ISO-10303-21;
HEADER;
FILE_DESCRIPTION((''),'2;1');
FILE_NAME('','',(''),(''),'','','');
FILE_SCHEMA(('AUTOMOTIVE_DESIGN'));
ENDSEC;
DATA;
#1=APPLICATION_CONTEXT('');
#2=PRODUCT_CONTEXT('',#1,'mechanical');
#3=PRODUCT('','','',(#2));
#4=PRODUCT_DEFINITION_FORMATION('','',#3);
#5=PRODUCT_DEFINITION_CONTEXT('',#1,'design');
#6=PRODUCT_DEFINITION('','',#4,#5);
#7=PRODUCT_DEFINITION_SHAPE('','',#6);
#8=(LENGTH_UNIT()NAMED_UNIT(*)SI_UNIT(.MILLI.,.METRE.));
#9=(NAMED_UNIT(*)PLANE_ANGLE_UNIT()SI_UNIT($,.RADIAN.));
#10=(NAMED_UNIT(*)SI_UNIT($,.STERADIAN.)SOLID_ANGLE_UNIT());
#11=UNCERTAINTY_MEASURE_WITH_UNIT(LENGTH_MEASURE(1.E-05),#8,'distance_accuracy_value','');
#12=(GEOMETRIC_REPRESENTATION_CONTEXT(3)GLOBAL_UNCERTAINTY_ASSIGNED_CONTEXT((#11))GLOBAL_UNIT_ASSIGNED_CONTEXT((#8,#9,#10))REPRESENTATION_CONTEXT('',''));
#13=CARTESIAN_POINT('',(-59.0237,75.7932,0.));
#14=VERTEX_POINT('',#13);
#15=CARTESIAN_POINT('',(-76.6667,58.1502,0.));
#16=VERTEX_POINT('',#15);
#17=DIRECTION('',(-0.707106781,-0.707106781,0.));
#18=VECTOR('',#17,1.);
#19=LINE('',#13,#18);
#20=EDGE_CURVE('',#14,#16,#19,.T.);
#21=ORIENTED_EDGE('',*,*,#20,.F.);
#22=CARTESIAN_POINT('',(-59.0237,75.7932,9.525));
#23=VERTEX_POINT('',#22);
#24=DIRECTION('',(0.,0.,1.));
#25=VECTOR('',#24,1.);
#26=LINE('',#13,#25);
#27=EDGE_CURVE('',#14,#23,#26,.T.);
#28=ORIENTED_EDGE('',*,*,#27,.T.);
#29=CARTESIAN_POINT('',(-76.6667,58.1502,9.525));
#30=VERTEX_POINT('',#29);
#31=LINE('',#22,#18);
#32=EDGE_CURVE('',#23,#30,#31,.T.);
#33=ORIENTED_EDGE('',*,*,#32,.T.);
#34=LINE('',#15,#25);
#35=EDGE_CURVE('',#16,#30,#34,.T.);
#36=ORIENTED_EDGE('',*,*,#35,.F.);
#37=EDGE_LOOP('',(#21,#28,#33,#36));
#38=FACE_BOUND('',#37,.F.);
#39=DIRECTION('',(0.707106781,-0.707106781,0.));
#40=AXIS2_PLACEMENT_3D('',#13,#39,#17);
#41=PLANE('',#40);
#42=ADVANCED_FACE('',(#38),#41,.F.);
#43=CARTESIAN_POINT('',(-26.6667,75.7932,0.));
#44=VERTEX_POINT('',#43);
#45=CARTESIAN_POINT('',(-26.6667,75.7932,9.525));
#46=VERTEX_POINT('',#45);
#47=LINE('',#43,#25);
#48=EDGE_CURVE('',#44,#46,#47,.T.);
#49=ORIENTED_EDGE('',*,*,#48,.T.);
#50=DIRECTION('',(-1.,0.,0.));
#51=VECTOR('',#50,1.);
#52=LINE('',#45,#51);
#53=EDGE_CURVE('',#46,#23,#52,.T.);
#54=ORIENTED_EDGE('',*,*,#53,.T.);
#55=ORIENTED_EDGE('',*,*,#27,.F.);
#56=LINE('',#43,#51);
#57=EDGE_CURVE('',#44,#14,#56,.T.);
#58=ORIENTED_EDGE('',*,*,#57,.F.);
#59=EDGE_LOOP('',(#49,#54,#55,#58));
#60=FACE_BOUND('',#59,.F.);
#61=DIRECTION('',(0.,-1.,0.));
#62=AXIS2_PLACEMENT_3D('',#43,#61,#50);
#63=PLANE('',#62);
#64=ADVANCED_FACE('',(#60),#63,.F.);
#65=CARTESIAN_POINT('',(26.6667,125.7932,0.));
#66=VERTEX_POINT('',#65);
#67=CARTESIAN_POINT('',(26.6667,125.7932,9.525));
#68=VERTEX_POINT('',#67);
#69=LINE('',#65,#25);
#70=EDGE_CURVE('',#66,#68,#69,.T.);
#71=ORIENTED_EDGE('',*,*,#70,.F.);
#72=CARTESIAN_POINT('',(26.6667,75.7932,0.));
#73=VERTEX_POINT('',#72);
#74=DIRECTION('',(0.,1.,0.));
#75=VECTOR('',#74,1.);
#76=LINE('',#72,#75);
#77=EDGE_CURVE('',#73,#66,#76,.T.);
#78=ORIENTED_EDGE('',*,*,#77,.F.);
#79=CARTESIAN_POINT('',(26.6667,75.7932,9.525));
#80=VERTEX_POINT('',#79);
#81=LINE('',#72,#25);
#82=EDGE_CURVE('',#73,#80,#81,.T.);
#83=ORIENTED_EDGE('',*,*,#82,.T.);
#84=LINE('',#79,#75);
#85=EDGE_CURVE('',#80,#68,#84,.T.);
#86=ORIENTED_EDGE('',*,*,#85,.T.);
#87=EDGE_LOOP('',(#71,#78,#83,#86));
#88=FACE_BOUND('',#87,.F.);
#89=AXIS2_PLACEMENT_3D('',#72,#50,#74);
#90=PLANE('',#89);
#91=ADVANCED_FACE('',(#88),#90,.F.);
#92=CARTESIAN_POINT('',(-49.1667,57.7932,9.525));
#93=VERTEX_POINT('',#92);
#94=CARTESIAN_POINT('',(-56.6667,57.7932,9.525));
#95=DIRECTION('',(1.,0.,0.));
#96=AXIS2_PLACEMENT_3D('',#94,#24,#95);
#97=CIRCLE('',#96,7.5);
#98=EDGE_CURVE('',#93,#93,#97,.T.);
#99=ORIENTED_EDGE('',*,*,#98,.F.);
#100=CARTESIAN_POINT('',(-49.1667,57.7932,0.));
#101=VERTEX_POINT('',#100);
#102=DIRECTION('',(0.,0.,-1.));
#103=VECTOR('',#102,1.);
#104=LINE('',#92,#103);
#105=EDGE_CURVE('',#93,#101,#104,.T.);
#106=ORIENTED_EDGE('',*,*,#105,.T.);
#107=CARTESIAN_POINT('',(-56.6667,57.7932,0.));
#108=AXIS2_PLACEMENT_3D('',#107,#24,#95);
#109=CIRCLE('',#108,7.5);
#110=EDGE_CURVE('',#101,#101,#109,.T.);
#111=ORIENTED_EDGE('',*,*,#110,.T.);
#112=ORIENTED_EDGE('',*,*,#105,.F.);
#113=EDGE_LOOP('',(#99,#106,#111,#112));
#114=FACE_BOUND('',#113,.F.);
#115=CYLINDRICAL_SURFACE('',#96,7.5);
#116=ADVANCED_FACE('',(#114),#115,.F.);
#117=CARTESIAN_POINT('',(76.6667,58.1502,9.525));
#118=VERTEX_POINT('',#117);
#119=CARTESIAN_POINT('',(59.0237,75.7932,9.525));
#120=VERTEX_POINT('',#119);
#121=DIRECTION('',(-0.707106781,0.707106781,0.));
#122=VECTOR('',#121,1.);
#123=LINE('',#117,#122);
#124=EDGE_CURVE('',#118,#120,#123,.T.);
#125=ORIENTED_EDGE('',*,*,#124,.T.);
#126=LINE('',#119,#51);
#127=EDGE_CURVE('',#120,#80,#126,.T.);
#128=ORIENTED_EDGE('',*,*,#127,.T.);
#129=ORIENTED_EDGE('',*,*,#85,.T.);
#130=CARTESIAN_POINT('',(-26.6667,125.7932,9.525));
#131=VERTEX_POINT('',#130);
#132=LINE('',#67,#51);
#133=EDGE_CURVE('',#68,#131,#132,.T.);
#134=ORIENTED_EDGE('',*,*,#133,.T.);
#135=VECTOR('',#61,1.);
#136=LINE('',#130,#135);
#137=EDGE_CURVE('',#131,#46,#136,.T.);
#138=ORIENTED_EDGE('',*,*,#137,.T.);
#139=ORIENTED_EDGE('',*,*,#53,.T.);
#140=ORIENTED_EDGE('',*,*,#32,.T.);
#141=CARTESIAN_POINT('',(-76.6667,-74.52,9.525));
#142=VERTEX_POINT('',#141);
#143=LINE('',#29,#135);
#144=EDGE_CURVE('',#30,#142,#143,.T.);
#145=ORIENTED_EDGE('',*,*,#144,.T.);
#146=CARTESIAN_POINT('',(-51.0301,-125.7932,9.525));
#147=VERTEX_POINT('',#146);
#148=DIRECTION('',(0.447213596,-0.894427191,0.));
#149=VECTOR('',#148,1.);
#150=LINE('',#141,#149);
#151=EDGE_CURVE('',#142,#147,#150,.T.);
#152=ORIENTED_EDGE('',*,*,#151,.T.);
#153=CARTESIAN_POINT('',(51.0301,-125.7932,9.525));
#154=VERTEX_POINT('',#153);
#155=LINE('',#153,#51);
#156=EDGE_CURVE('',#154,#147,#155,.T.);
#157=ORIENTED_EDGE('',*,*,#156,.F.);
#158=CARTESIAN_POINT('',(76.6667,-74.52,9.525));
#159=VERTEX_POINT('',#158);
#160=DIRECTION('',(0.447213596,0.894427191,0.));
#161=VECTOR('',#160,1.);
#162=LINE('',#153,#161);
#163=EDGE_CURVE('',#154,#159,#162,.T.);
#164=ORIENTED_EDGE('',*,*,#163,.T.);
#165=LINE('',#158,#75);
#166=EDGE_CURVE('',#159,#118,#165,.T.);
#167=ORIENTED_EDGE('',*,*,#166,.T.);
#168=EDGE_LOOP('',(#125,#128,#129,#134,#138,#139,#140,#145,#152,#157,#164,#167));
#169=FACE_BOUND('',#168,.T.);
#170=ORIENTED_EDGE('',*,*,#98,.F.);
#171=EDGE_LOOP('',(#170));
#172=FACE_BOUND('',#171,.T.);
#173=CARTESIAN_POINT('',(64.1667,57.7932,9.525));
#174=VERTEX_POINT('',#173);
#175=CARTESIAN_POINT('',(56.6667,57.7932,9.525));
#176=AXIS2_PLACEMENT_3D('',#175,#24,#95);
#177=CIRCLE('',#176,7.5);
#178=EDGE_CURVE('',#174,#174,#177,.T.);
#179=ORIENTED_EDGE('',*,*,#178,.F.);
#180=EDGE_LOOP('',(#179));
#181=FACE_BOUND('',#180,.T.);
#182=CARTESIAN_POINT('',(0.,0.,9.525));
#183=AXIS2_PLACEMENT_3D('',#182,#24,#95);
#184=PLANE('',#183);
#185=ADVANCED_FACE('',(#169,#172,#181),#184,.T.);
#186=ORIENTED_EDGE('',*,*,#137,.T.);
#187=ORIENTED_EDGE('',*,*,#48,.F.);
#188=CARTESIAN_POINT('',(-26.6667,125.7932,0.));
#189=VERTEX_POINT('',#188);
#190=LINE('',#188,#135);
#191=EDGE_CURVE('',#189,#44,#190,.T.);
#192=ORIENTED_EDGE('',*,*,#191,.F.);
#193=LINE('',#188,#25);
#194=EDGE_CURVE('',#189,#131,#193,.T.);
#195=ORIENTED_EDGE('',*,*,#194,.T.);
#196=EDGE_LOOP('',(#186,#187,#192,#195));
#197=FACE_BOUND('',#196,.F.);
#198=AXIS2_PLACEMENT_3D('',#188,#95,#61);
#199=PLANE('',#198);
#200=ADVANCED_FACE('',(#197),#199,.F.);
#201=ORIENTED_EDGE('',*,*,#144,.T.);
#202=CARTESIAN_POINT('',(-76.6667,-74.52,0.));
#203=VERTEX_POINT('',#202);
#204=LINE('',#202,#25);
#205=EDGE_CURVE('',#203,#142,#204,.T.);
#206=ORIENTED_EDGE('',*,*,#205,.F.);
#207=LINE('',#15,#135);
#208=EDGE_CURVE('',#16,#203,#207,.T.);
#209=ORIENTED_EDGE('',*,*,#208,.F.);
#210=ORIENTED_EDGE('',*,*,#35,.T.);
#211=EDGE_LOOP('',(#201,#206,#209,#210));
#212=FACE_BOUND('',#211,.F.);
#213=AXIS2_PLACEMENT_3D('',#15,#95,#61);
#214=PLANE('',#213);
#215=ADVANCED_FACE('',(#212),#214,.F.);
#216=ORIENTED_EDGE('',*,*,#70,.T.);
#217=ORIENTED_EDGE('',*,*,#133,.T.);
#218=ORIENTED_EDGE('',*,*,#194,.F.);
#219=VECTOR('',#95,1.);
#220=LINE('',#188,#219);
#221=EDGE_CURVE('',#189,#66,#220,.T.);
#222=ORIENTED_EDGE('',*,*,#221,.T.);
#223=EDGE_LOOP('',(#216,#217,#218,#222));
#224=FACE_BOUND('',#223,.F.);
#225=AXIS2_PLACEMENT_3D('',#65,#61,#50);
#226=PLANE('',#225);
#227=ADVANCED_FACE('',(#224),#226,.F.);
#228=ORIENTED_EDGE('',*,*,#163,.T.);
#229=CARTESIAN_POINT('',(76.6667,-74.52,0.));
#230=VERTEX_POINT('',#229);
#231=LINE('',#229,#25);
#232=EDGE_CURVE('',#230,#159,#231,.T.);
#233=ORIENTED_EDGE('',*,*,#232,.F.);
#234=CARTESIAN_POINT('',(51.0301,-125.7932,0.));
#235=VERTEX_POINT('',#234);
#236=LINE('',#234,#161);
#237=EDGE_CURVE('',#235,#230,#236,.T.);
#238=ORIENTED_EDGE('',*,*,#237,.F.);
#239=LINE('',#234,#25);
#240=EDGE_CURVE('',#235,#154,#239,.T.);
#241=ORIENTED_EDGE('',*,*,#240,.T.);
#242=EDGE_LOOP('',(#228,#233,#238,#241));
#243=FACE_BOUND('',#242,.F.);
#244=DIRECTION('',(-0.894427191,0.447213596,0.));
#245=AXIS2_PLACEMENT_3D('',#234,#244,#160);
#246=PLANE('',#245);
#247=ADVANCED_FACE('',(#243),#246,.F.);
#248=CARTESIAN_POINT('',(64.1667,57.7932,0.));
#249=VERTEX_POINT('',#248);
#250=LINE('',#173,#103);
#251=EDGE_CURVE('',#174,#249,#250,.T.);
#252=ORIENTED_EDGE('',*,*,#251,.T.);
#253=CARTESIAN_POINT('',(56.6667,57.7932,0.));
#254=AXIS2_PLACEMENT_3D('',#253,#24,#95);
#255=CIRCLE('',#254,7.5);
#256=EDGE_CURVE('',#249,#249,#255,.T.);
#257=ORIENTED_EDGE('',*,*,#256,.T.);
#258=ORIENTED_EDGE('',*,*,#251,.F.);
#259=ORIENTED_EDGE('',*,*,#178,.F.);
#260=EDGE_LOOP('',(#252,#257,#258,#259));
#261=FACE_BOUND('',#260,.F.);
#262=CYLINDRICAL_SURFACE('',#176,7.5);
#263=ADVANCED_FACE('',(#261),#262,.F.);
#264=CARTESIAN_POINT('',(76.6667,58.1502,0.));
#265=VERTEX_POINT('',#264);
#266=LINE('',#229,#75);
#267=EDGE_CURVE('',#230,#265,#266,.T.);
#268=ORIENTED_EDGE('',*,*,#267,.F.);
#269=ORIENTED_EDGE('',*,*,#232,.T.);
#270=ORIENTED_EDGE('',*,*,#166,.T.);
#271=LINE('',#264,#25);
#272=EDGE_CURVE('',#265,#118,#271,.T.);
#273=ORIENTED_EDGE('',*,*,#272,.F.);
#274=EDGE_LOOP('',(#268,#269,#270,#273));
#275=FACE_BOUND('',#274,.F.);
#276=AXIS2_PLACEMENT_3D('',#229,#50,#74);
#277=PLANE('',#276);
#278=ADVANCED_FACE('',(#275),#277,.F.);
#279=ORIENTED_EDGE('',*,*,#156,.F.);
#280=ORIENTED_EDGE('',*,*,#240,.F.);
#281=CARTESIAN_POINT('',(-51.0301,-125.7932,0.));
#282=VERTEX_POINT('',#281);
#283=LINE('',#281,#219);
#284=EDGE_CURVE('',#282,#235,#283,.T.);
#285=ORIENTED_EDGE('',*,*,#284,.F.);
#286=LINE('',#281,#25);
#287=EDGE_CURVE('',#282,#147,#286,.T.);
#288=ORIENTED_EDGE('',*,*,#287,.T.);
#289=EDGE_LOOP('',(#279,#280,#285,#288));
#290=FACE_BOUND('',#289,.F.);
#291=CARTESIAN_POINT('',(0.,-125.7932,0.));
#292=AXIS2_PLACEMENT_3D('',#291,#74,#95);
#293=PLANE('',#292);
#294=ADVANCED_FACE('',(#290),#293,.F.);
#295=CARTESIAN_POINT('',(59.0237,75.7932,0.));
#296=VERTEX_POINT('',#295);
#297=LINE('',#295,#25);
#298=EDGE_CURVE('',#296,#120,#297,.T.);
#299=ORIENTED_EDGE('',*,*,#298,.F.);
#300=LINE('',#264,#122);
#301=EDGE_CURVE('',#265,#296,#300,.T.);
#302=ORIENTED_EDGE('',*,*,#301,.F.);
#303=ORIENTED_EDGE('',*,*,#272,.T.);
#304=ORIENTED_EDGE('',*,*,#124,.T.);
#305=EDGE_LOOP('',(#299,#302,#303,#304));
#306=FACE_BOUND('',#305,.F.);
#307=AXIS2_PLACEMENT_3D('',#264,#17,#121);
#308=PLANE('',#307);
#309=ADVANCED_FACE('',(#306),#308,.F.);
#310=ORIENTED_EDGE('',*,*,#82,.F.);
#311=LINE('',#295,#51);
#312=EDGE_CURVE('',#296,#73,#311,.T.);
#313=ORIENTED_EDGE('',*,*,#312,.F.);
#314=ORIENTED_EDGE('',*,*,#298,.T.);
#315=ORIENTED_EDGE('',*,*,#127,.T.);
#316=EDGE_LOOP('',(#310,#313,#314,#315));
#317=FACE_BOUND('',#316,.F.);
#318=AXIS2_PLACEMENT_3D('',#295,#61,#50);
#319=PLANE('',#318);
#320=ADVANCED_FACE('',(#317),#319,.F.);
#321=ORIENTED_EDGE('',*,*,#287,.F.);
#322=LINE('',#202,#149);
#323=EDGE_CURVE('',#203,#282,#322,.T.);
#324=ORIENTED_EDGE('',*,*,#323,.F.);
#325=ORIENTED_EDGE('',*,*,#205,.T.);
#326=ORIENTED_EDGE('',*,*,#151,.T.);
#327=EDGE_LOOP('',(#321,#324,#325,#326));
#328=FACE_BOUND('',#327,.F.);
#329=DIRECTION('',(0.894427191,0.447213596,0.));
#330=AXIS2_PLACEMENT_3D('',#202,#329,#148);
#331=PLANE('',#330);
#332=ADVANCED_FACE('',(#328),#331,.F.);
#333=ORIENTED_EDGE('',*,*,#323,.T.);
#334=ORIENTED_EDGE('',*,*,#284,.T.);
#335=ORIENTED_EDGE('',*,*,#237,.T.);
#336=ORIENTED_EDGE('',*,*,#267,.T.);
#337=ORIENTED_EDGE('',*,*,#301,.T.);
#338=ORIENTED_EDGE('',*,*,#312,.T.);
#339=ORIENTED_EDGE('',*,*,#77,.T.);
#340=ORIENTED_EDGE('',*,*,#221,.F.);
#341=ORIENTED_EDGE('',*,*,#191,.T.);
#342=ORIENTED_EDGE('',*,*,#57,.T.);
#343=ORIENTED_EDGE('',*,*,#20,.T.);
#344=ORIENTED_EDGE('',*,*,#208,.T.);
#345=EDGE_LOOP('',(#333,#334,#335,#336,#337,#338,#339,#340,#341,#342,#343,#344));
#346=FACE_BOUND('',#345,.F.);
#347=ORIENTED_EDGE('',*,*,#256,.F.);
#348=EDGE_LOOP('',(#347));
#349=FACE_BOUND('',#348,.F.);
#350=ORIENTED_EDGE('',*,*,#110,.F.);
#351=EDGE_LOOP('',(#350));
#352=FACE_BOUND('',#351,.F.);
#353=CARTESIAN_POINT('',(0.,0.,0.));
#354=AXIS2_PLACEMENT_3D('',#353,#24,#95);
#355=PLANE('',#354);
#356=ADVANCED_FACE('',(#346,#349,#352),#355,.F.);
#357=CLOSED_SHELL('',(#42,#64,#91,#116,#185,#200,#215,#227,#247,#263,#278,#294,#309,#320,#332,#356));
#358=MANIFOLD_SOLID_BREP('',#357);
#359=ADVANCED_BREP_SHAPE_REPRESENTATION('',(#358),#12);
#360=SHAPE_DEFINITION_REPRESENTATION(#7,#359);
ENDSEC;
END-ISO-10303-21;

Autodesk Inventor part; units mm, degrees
ref_plane "YZ Plane" through (0, 0, 0) normal (1, 0, 0) x (0, 1, 0)
ref_plane "XZ Plane" through (0, 0, 0) normal (0, 1, 0) x (-1, 0, 0)
ref_plane "XY Plane" through (0, 0, 0) normal (0, 0, 1) x (1, 0, 0)
sketch "Sketch1" plane through (0, 0, 0) normal (0, 0, 1) x (1, 0, 0)
  line L0 (76.6667, -74.52) -> (76.6667, 58.1502)
  line L1 (76.6667, 58.1502) -> (59.0237, 75.7932)
  line L2 (59.0237, 75.7932) -> (26.6667, 75.7932)
  line L3 (26.6667, 75.7932) -> (26.6667, 125.7932)
  line L4 (26.6667, 125.7932) -> (0, 125.7932)
  line L5 (0, 125.7932) -> (-26.6667, 125.7932)
  line L6 (-26.6667, 125.7932) -> (-26.6667, 75.7932)
  line L7 (-26.6667, 75.7932) -> (-59.0237, 75.7932)
  line L8 (-59.0237, 75.7932) -> (-76.6667, 58.1502)
  line L9 (-76.6667, 58.1502) -> (-76.6667, -74.52)
  line L10 (-76.6667, -74.52) -> (-51.0301, -125.7932)
  line L11 (-51.0301, -125.7932) -> (0, -125.7932)
  line L12 (0, -125.7932) -> (51.0301, -125.7932)
  line L13 (51.0301, -125.7932) -> (76.6667, -74.52)
  point P0 (0, 0)
  dimension "d0" = 50
extrude "Extrusion1" add sketch "Sketch1" along normal blind 9.525
sketch "Sketch2" plane through (0, 0, 9.525) normal (0, 0, 1) x (1, 0, 0)
  circle A0 centre (-56.6667, 57.7932) radius 7.5
  line L0 (0, 0) -> (0, 125.7932) construction
  line L1 (26.6667, 125.7932) -> (-26.6667, 125.7932) construction
  circle A1 centre (56.6667, 57.7932) radius 7.5
  line L2 (-26.6667, 75.7932) -> (-59.0237, 75.7932) projected
  line L3 (-76.6667, 58.1502) -> (-76.6667, -74.52) projected
  dimension "d3" = 18
  dimension "d4" = 20
  dimension "d5" = 15
  dimension "d8" = 56.6667
extrude "Extrusion2" cut sketch "Sketch2" against normal blind 9.525
properties part number "1-3BT"
